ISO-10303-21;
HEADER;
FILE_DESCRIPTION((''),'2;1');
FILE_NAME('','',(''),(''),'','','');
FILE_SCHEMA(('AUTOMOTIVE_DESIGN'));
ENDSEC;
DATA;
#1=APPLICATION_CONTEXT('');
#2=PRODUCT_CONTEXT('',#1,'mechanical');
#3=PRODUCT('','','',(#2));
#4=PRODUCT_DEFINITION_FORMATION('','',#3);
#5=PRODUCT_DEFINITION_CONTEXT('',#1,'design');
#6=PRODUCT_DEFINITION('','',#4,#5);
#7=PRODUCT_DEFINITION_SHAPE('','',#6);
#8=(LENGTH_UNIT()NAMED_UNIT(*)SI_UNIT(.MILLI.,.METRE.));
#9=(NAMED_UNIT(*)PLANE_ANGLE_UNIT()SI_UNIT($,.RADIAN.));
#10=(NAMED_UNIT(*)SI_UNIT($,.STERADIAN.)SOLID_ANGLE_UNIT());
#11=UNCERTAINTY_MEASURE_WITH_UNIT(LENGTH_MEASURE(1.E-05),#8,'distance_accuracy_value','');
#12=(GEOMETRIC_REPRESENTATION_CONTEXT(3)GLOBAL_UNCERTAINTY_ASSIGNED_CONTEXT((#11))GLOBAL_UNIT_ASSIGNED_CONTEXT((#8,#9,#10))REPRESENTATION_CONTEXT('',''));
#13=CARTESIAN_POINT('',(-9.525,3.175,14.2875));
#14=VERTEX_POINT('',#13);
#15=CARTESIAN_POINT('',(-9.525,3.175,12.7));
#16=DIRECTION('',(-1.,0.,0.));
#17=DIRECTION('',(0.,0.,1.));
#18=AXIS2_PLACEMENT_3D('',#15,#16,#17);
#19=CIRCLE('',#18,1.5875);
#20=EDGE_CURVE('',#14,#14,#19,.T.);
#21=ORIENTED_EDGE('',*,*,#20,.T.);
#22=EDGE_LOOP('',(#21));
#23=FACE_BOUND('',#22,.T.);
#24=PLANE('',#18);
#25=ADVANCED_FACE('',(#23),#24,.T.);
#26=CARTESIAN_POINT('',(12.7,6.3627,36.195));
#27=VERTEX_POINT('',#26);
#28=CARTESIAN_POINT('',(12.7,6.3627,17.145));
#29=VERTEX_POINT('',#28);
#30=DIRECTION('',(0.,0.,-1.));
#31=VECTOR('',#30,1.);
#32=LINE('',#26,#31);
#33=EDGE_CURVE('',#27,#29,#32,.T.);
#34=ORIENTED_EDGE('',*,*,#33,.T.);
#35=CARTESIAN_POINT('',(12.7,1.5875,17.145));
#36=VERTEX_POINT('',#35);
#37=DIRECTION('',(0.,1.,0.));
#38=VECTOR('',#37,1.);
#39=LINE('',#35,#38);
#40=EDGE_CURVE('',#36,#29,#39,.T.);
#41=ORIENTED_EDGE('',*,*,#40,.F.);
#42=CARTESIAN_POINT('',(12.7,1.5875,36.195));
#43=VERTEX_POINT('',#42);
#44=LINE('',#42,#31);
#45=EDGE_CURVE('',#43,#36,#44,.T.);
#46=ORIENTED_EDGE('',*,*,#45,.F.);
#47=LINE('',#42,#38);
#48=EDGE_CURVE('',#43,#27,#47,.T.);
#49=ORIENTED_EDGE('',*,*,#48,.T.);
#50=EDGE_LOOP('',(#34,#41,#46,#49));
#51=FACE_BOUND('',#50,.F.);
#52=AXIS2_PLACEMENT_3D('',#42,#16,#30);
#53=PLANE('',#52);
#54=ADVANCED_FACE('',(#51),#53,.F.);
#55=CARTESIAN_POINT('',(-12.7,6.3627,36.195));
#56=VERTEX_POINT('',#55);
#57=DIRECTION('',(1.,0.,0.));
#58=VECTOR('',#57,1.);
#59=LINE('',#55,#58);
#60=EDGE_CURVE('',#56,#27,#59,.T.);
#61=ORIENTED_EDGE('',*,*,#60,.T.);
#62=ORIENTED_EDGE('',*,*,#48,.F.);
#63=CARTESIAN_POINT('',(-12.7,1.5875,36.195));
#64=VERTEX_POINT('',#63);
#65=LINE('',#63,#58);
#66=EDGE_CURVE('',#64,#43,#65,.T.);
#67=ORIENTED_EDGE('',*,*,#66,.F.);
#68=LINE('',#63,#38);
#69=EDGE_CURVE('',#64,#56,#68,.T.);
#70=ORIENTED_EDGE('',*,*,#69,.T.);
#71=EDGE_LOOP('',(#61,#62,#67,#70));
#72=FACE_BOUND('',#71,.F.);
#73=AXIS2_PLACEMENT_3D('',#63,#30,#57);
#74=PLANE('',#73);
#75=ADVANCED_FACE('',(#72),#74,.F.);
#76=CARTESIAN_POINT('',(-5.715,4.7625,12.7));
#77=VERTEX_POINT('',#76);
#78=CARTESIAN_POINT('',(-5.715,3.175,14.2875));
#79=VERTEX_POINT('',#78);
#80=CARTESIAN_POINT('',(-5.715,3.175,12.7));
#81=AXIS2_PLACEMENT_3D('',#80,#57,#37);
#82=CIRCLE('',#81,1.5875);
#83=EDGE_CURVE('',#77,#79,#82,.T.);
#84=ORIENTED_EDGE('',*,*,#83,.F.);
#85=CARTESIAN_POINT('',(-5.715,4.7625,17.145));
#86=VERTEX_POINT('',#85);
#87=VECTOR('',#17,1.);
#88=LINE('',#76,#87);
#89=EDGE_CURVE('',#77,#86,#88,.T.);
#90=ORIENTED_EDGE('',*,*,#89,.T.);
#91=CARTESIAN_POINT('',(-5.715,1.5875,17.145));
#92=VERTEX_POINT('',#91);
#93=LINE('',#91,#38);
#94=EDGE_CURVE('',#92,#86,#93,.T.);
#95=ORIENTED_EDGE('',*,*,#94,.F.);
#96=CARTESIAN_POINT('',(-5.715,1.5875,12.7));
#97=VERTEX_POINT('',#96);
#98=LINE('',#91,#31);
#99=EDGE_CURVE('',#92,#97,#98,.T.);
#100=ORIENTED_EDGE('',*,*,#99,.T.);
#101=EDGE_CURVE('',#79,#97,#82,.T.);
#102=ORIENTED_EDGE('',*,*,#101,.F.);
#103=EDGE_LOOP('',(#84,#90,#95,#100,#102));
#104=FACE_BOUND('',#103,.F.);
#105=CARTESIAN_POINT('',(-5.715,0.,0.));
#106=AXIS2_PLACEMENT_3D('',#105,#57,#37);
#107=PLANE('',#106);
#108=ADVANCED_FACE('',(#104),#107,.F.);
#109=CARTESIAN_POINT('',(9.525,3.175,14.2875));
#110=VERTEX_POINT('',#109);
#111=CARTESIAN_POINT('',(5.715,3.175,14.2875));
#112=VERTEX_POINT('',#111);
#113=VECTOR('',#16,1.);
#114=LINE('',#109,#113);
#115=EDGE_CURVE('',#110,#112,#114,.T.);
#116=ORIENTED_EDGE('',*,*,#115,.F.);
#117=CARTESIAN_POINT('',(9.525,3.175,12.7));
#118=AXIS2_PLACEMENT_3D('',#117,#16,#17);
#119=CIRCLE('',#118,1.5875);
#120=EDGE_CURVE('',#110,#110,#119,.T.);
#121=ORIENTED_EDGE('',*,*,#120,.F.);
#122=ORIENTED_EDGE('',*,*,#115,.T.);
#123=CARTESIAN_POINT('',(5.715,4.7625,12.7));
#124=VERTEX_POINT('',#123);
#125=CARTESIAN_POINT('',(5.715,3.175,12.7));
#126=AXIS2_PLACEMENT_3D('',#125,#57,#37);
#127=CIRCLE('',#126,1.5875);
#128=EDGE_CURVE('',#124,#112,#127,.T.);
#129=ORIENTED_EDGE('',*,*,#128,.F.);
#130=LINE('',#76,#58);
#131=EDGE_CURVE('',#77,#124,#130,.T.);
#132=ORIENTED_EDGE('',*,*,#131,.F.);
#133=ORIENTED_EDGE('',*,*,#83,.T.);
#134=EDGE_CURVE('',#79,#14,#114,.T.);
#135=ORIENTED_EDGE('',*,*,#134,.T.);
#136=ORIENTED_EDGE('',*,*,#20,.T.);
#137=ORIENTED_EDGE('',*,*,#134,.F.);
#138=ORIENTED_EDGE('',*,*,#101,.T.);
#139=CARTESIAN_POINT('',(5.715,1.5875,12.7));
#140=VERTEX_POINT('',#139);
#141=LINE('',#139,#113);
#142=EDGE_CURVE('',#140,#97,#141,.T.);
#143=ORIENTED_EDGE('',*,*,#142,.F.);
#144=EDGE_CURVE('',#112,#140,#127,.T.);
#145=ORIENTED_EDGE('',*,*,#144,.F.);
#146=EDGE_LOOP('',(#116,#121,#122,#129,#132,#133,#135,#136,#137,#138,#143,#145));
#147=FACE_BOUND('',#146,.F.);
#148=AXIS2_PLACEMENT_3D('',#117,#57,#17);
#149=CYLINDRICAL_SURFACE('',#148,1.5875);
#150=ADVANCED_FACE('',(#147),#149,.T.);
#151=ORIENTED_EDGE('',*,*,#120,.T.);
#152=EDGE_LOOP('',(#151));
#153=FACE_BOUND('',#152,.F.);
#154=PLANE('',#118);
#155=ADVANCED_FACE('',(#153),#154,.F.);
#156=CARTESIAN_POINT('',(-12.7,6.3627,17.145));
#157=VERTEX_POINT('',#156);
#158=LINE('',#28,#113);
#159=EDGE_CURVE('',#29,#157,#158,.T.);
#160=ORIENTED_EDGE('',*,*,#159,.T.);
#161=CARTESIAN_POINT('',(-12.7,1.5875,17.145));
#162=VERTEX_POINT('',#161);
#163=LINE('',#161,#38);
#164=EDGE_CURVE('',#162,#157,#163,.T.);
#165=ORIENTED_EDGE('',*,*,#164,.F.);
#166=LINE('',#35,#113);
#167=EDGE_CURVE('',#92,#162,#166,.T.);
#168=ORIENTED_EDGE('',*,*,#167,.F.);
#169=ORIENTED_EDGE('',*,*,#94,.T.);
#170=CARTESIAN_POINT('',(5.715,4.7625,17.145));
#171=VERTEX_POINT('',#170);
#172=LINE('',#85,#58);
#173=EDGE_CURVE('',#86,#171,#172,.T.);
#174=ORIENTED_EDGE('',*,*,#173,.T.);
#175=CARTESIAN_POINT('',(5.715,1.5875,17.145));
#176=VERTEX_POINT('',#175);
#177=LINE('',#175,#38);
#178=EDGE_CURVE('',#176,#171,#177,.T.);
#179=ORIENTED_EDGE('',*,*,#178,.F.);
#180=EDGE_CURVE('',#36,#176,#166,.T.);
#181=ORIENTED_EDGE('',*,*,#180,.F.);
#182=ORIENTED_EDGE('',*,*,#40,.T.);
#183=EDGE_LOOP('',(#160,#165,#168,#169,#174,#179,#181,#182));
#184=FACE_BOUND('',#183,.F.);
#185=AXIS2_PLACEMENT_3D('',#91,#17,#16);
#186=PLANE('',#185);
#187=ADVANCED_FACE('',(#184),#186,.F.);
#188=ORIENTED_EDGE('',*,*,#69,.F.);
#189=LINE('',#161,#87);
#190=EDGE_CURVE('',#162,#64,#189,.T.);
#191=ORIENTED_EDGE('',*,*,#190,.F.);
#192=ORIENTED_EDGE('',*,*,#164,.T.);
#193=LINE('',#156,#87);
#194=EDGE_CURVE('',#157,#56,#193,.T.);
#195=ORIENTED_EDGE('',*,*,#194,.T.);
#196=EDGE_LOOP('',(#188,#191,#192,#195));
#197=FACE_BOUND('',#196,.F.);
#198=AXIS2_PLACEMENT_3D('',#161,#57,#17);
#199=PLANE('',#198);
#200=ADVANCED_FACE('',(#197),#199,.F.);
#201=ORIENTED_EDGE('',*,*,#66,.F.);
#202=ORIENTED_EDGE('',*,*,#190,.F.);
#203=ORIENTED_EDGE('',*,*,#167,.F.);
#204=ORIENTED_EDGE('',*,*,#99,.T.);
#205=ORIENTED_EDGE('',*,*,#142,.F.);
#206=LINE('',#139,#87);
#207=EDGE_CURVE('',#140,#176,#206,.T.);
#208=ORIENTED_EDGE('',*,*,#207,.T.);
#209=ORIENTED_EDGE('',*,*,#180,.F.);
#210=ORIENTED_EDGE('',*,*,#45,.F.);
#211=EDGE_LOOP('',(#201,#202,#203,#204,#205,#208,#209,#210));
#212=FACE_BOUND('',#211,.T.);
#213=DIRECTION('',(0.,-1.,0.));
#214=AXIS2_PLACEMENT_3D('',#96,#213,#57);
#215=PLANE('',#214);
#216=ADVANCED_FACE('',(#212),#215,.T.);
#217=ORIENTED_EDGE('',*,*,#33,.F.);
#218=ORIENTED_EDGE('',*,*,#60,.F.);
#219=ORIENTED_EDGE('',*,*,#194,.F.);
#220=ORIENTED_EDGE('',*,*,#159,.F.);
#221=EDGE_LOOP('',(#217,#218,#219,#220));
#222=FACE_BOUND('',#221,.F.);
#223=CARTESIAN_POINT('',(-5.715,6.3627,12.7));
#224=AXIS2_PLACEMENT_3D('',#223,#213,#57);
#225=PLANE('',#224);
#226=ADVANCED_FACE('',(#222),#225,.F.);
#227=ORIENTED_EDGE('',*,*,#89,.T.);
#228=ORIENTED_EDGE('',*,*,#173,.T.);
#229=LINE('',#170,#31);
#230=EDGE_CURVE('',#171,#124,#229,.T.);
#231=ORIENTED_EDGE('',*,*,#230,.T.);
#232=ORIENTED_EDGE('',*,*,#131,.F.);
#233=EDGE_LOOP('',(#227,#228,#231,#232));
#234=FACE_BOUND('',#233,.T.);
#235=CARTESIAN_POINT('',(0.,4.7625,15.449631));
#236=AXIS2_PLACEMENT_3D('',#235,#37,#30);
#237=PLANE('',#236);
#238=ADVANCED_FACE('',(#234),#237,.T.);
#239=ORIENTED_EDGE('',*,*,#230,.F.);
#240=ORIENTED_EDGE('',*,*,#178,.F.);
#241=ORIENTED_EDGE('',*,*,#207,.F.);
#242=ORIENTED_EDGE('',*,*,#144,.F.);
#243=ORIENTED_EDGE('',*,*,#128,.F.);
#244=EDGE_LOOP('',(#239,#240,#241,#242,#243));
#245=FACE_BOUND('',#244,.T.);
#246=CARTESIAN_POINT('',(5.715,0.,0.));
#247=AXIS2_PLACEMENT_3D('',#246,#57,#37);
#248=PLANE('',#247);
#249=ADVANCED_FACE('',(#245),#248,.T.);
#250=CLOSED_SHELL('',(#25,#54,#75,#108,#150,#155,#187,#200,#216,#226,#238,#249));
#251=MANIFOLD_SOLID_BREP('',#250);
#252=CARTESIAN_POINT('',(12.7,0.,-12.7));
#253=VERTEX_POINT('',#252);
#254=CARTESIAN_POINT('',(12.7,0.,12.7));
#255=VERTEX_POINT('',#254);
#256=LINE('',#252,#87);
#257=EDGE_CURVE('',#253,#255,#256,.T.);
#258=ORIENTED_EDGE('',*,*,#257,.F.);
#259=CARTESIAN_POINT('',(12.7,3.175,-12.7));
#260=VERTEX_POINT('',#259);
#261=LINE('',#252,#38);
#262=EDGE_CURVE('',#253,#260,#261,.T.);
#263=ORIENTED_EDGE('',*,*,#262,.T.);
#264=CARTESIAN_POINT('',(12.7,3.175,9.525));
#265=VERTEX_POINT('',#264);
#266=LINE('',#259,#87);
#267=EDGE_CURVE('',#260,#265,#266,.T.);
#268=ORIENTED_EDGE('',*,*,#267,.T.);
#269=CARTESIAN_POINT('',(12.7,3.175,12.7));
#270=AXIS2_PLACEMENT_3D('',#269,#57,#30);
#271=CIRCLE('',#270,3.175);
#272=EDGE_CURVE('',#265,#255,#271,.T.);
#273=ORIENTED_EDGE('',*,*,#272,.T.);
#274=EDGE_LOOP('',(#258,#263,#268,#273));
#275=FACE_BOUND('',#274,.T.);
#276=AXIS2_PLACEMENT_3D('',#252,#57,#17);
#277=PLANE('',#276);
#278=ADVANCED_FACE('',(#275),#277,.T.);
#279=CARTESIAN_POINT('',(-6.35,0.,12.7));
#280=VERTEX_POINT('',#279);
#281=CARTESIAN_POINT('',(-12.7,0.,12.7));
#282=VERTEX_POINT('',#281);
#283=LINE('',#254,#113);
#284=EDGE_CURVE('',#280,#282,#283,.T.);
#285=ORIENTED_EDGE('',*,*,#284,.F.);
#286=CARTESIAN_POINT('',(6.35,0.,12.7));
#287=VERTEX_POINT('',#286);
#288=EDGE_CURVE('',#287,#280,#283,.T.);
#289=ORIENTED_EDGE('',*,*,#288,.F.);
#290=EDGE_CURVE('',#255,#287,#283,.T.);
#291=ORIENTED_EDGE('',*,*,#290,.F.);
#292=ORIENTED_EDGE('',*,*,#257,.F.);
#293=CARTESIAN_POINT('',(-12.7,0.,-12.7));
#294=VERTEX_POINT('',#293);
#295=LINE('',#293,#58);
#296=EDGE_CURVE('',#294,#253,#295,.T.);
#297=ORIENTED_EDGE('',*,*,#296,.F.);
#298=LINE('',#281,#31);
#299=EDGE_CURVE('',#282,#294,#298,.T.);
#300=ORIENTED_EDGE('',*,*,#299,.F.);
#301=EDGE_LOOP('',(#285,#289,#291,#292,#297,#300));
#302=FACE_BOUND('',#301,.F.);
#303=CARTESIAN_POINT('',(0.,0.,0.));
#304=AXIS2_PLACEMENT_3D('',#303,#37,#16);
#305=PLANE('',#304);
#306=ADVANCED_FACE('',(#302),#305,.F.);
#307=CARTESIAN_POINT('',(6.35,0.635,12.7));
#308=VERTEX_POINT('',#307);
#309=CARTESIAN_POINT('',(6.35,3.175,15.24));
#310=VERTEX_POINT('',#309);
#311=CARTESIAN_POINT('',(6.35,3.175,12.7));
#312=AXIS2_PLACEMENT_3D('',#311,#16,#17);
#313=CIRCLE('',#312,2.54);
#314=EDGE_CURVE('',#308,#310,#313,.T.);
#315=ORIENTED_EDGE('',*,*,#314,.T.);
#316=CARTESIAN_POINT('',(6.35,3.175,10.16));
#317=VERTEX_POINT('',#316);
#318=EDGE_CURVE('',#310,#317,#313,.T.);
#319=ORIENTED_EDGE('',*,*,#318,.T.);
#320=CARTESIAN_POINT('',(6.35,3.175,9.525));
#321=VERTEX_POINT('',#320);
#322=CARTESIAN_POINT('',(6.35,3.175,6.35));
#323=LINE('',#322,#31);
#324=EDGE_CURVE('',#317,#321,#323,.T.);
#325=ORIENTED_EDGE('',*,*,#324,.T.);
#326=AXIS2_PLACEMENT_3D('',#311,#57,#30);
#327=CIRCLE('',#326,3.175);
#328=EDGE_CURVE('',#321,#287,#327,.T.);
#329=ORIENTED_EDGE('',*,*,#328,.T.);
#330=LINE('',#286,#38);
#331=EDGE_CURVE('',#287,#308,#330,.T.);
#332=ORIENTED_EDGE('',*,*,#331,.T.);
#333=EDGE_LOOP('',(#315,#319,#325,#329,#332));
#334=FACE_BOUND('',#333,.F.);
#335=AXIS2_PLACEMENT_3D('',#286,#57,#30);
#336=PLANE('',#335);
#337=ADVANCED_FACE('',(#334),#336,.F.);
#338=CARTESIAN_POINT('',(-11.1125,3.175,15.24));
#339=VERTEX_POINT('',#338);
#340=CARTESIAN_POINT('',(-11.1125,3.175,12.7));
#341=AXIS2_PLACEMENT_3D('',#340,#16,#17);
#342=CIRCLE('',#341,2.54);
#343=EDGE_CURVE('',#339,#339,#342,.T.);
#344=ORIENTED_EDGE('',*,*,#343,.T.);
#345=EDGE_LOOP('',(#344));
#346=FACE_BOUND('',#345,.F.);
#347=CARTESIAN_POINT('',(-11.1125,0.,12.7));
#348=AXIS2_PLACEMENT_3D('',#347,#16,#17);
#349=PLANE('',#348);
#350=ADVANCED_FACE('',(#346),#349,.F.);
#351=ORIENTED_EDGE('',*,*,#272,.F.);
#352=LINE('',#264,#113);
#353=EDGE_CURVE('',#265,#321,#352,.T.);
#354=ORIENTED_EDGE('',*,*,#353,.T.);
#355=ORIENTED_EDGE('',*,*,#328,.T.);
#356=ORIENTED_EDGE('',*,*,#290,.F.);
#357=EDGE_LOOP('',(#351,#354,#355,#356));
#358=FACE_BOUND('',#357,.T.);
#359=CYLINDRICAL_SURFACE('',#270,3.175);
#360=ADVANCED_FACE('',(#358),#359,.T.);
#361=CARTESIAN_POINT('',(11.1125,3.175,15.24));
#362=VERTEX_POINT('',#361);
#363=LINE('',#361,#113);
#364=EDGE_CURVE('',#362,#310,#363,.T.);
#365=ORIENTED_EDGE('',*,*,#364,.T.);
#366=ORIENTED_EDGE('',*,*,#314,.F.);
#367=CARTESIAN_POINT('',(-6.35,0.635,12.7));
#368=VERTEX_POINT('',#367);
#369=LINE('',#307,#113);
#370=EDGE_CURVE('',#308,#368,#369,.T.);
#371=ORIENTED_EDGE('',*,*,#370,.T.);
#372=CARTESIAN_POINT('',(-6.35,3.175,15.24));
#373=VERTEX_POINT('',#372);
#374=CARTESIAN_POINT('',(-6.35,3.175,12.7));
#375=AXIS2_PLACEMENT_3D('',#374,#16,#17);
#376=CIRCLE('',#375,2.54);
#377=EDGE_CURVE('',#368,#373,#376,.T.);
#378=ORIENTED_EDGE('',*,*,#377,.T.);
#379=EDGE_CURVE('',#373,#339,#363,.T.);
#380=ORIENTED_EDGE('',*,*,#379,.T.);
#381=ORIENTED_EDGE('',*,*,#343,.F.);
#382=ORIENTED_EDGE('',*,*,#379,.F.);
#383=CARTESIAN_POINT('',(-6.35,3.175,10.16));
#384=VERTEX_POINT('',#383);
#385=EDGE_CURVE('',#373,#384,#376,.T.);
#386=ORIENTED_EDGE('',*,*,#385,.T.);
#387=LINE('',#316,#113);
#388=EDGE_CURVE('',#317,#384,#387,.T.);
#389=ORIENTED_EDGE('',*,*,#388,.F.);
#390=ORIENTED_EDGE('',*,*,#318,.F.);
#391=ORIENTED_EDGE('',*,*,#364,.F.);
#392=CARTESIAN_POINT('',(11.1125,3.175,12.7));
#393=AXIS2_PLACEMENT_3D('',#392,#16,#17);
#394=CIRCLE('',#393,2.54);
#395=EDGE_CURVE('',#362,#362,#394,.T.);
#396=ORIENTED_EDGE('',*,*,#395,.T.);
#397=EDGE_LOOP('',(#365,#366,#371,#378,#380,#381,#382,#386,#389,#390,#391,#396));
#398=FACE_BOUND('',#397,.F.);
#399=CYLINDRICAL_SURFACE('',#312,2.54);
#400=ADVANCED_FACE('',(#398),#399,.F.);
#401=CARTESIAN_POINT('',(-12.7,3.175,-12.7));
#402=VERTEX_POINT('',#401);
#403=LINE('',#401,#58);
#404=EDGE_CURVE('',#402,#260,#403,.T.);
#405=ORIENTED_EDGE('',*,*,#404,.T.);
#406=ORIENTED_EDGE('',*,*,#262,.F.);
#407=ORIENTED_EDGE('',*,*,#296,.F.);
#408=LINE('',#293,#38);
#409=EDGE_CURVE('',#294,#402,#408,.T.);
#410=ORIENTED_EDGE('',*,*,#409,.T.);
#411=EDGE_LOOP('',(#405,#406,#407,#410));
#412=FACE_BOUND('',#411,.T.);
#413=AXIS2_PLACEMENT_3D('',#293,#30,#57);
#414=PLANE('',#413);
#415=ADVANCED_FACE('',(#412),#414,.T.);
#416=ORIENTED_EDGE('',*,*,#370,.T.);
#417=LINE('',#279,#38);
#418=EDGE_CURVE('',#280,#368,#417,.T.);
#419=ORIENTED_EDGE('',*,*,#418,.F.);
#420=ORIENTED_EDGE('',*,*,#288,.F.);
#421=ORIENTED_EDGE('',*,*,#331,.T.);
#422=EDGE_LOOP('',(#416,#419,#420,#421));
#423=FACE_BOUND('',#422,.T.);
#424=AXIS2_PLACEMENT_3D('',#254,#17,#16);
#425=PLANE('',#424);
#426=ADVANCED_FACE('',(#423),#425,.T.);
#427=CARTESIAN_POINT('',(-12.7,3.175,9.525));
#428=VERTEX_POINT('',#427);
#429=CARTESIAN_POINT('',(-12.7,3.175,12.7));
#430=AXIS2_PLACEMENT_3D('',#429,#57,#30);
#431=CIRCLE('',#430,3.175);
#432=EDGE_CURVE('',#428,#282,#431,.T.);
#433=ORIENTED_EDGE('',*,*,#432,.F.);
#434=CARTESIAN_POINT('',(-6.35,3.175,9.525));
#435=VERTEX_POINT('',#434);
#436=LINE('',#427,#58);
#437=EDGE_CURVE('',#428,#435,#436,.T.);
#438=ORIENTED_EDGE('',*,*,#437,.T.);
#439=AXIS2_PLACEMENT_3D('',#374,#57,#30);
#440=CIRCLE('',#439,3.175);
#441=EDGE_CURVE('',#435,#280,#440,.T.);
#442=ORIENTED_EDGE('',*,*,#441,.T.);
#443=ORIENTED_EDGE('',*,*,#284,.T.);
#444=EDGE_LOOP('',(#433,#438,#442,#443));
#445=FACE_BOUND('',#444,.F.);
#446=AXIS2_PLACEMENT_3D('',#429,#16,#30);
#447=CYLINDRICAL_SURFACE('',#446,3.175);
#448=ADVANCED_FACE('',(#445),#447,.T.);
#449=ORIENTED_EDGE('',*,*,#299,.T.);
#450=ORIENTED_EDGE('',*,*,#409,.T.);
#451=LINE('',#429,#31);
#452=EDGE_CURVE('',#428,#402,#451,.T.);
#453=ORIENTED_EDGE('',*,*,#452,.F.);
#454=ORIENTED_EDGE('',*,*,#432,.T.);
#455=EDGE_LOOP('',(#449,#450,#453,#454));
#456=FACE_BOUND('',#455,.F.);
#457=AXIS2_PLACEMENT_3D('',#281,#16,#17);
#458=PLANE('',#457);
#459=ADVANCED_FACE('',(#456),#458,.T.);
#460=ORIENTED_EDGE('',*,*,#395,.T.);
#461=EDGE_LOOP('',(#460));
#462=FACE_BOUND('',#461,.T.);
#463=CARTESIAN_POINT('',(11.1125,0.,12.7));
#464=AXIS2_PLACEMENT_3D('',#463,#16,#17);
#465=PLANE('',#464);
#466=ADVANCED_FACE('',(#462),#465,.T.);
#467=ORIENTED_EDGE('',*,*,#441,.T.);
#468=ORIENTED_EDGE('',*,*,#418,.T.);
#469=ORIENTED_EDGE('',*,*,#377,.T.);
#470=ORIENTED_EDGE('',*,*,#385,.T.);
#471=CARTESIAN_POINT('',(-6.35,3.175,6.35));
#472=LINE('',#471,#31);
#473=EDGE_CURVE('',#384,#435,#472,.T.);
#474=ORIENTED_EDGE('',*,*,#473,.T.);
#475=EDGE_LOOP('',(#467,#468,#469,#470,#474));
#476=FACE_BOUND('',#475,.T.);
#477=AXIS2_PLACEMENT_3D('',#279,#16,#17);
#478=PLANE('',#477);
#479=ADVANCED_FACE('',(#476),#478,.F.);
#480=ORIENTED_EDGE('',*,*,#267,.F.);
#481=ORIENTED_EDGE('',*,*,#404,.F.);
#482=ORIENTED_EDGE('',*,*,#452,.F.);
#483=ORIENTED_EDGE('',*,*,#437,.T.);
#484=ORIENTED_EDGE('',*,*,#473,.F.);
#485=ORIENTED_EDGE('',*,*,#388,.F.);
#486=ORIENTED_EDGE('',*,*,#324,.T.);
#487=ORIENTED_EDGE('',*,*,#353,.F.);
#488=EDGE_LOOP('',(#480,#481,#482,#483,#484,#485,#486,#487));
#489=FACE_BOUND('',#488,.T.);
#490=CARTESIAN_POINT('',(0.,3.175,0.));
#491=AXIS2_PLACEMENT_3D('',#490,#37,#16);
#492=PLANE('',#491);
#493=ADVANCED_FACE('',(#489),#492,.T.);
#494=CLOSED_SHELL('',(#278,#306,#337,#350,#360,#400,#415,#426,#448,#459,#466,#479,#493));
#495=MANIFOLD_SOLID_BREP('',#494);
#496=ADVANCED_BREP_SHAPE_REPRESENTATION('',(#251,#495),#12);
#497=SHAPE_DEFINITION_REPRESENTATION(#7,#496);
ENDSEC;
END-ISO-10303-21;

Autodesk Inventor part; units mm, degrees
ref_plane "YZ Plane" through (0, 0, 0) normal (1, 0, 0) x (0, 1, 0)
ref_plane "XZ Plane" through (0, 0, 0) normal (0, 1, 0) x (-1, 0, 0)
ref_plane "XY Plane" through (0, 0, 0) normal (0, 0, 1) x (1, 0, 0)
sketch "Sketch1" plane through (0, 0, 0) normal (0, 1, 0) x (-1, 0, 0)
  line L0 (-12.7, 12.7) -> (12.7, 12.7)
  line L1 (12.7, 12.7) -> (12.7, -12.7)
  line L2 (12.7, -12.7) -> (-12.7, -12.7)
  line L3 (-12.7, -12.7) -> (-12.7, 12.7)
  line L4 (-12.7, 12.7) -> (12.7, -12.7) construction
  line L5 (12.7, 12.7) -> (-12.7, -12.7) construction
  point P0 (0, 0)
  dimension "d0" = 25.4
  dimension "d1" = 25.4
extrude "Extrusion1" add sketch "Sketch1" along normal blind 3.175
sketch "Sketch2" plane through (12.7, 0, 12.7) normal (1, 0, 0) x (0, 0, -1)
  circle A0 centre (0, 3.175) radius 3.175
  point P0 (12.7, 0)
extrude "Extrusion2" add sketch "Sketch2" against normal blind 6.35
mirror "Mirror1" about plane through (0, 0, 0) normal (1, 0, 0) of "Extrusion2"
sketch "Sketch3" plane through (6.35, 0, 12.7) normal (-1, 0, 0) x (0, 0, 1)
  arc A0 (0, 0) -> (-3.175, 3.175) centre (0, 3.175) ccw projected
  circle A1 centre (0, 3.175) radius 2.54
  point P0 (-12.7, 0)
  dimension "d6" = 0.635
extrude "Extrusion3" cut sketch "Sketch3" against normal blind 4.7625 and the other way blind 17.4625
ref_plane "Work Plane1" through (-9.525, 3.175, 12.7) normal (1, 0, 0) x (0, 0, -1)
ref_plane "Work Plane2" through (9.525, 3.175, 12.7) normal (-1, 0, 0) x (0, 0, 1)
sketch "Sketch5" plane through (9.525, 3.175, 12.7) normal (-1, 0, 0) x (0, 0, 1)
  arc A0 (0, -2.54) -> (-2.54, 0) centre (0, 0) ccw projected
  circle A1 centre (0, 0) radius 1.5875
  point P0 (-12.7, -3.175)
  dimension "d13" = 3.175
extrude "Extrusion4" add sketch "Sketch5" along normal up to surface (19.05 mm away)
sketch "Sketch6" plane through (0, 0, 0) normal (1, 0, 0) x (0, 1, 0)
  circle A0 centre (3.175, 12.7) radius 1.5875 projected
  circle A1 centre (3.175, 12.7) radius 1.5875 projected
  arc A2 (1.5875, 12.7) -> (4.7625, 12.7) centre (3.175, 12.7) ccw
  line L0 (1.5875, 12.7) -> (1.5875, 17.145)
  circle A3 centre (3.175, 12.7) radius 1.5875 projected
  line L1 (4.7625, 17.145) -> (4.7625, 12.7)
  arc A4 (3.175, 9.525) -> (0, 12.7) centre (3.175, 12.7) ccw projected
  line L2 (1.5875, 17.145) -> (4.7625, 17.145)
  line L3 (1.5875, 15.875) -> (4.7625, 15.875) construction
  point P0 (0, 0)
  dimension "d18" = 1.27
extrude "Extrusion5" add sketch "Sketch6" along normal mid plane 11.43 contours A0 L0 A4 L1 | A4 L0 L2 L1
sketch "Sketch9" plane through (-5.715, 1.5875, 12.7) normal (0, -1, 0) x (1, 0, 0)
  line L0 (-6.985, 23.495) -> (18.415, 23.495)
  line L1 (18.415, 23.495) -> (18.415, 4.445)
  line L2 (18.415, 4.445) -> (-6.985, 4.445)
  line L3 (-6.985, 4.445) -> (-6.985, 23.495)
  line L4 (0, 4.445) -> (11.43, 4.445) projected
  line L5 (18.415, -25.4) -> (18.415, 0) projected
  point P0 (5.715, -12.7)
  dimension "d25" = 25.4
  dimension "d26" = 19.05
extrude "Extrusion8" add sketch "Sketch9" against normal blind 4.7752
properties part number "hinge"
